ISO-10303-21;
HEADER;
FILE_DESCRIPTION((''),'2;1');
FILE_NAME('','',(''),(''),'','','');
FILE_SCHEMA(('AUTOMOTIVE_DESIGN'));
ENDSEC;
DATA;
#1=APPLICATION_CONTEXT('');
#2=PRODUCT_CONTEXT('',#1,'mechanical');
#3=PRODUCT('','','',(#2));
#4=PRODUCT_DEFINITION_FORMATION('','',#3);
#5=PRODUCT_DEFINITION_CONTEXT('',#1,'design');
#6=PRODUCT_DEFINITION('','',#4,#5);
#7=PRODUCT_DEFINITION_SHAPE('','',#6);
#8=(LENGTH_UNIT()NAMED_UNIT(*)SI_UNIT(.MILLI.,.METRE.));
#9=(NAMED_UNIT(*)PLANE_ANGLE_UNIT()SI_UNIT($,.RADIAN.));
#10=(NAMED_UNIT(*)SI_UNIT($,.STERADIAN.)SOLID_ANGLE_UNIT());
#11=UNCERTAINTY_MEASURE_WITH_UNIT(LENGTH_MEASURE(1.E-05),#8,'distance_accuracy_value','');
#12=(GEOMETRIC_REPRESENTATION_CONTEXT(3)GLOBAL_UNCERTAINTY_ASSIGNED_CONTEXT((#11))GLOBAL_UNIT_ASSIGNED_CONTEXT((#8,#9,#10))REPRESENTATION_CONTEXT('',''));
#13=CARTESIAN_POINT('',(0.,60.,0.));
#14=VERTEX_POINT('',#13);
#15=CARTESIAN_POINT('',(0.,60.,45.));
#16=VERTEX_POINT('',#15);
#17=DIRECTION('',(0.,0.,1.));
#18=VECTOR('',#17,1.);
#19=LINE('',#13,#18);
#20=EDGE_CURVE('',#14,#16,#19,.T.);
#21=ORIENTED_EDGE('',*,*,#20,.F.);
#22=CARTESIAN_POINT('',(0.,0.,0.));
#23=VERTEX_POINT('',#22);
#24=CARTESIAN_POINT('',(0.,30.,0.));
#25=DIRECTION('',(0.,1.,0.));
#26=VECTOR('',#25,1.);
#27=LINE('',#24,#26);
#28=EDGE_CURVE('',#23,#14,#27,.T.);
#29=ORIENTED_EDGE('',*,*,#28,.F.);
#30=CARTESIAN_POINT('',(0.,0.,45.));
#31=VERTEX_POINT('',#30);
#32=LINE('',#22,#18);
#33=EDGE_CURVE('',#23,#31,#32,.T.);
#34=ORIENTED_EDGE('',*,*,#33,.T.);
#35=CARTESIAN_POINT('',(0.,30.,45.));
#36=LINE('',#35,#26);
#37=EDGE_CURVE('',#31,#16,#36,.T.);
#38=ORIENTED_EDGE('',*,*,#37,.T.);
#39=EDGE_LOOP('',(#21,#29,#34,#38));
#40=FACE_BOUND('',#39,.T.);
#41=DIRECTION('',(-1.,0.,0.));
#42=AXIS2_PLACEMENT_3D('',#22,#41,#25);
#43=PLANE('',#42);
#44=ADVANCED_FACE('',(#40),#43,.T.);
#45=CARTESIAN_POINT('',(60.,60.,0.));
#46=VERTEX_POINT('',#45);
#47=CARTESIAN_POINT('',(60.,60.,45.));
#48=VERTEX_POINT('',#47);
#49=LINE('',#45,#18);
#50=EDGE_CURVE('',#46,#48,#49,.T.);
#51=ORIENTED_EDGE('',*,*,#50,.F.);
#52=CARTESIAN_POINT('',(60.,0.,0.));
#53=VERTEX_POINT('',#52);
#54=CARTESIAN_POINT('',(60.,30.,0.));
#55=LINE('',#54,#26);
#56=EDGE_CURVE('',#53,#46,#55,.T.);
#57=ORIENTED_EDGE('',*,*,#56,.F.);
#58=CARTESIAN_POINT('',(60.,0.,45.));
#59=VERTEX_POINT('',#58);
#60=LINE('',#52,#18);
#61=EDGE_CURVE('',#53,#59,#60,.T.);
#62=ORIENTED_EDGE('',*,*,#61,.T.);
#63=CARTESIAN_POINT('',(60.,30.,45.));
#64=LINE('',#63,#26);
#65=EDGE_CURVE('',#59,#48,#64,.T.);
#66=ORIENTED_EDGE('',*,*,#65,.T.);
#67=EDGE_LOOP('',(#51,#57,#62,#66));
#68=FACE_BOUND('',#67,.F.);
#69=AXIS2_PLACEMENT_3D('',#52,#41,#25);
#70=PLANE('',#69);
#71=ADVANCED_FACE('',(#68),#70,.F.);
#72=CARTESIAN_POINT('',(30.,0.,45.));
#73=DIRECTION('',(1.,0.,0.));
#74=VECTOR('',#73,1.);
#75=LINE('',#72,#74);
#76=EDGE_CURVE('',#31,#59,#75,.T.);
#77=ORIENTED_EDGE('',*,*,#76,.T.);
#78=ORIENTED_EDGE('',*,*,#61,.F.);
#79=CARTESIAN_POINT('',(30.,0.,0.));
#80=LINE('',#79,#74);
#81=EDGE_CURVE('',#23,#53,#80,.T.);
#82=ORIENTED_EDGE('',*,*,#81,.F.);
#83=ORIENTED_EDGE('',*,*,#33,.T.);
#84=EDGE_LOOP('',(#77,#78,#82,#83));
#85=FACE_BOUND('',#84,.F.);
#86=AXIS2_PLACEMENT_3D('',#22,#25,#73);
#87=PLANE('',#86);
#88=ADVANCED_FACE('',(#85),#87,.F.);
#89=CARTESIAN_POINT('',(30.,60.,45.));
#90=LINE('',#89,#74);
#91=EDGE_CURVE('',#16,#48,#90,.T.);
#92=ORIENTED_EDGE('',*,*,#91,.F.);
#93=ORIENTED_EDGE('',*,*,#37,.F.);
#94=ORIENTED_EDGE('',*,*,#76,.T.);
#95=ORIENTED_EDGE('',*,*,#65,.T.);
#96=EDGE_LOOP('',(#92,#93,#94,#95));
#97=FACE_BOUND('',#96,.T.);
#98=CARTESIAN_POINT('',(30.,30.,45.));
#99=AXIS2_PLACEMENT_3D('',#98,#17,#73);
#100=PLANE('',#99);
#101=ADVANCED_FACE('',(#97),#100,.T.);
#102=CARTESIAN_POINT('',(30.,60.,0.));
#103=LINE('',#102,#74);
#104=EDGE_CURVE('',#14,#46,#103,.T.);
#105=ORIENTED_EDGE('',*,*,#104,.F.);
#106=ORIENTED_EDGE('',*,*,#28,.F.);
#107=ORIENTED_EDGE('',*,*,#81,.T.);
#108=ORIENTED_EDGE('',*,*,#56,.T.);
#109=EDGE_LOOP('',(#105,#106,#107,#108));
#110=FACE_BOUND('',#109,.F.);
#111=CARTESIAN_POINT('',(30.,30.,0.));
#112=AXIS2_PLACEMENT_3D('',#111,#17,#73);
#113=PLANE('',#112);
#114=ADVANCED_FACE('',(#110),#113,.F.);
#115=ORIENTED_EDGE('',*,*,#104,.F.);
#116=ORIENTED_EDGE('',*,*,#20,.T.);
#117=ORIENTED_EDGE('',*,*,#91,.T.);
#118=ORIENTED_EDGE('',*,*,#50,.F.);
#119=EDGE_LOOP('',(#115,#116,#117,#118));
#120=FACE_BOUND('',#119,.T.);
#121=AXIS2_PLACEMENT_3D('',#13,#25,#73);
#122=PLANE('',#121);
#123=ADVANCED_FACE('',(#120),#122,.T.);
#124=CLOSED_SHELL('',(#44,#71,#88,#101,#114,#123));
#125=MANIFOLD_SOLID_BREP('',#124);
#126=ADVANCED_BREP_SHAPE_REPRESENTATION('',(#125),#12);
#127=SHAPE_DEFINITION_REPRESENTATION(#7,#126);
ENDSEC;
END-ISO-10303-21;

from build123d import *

# Parameters (mm, degrees)
BOX_W     = 60
BOX_H     = 60
BOX_DEPTH = 45


with BuildPart() as part:
    # Box → Box (new body)
    with BuildSketch(Plane.XY):
        with Locations((30, 30)):
            Rectangle(BOX_W, BOX_H)
    extrude(amount=BOX_DEPTH)


solid = part.part
